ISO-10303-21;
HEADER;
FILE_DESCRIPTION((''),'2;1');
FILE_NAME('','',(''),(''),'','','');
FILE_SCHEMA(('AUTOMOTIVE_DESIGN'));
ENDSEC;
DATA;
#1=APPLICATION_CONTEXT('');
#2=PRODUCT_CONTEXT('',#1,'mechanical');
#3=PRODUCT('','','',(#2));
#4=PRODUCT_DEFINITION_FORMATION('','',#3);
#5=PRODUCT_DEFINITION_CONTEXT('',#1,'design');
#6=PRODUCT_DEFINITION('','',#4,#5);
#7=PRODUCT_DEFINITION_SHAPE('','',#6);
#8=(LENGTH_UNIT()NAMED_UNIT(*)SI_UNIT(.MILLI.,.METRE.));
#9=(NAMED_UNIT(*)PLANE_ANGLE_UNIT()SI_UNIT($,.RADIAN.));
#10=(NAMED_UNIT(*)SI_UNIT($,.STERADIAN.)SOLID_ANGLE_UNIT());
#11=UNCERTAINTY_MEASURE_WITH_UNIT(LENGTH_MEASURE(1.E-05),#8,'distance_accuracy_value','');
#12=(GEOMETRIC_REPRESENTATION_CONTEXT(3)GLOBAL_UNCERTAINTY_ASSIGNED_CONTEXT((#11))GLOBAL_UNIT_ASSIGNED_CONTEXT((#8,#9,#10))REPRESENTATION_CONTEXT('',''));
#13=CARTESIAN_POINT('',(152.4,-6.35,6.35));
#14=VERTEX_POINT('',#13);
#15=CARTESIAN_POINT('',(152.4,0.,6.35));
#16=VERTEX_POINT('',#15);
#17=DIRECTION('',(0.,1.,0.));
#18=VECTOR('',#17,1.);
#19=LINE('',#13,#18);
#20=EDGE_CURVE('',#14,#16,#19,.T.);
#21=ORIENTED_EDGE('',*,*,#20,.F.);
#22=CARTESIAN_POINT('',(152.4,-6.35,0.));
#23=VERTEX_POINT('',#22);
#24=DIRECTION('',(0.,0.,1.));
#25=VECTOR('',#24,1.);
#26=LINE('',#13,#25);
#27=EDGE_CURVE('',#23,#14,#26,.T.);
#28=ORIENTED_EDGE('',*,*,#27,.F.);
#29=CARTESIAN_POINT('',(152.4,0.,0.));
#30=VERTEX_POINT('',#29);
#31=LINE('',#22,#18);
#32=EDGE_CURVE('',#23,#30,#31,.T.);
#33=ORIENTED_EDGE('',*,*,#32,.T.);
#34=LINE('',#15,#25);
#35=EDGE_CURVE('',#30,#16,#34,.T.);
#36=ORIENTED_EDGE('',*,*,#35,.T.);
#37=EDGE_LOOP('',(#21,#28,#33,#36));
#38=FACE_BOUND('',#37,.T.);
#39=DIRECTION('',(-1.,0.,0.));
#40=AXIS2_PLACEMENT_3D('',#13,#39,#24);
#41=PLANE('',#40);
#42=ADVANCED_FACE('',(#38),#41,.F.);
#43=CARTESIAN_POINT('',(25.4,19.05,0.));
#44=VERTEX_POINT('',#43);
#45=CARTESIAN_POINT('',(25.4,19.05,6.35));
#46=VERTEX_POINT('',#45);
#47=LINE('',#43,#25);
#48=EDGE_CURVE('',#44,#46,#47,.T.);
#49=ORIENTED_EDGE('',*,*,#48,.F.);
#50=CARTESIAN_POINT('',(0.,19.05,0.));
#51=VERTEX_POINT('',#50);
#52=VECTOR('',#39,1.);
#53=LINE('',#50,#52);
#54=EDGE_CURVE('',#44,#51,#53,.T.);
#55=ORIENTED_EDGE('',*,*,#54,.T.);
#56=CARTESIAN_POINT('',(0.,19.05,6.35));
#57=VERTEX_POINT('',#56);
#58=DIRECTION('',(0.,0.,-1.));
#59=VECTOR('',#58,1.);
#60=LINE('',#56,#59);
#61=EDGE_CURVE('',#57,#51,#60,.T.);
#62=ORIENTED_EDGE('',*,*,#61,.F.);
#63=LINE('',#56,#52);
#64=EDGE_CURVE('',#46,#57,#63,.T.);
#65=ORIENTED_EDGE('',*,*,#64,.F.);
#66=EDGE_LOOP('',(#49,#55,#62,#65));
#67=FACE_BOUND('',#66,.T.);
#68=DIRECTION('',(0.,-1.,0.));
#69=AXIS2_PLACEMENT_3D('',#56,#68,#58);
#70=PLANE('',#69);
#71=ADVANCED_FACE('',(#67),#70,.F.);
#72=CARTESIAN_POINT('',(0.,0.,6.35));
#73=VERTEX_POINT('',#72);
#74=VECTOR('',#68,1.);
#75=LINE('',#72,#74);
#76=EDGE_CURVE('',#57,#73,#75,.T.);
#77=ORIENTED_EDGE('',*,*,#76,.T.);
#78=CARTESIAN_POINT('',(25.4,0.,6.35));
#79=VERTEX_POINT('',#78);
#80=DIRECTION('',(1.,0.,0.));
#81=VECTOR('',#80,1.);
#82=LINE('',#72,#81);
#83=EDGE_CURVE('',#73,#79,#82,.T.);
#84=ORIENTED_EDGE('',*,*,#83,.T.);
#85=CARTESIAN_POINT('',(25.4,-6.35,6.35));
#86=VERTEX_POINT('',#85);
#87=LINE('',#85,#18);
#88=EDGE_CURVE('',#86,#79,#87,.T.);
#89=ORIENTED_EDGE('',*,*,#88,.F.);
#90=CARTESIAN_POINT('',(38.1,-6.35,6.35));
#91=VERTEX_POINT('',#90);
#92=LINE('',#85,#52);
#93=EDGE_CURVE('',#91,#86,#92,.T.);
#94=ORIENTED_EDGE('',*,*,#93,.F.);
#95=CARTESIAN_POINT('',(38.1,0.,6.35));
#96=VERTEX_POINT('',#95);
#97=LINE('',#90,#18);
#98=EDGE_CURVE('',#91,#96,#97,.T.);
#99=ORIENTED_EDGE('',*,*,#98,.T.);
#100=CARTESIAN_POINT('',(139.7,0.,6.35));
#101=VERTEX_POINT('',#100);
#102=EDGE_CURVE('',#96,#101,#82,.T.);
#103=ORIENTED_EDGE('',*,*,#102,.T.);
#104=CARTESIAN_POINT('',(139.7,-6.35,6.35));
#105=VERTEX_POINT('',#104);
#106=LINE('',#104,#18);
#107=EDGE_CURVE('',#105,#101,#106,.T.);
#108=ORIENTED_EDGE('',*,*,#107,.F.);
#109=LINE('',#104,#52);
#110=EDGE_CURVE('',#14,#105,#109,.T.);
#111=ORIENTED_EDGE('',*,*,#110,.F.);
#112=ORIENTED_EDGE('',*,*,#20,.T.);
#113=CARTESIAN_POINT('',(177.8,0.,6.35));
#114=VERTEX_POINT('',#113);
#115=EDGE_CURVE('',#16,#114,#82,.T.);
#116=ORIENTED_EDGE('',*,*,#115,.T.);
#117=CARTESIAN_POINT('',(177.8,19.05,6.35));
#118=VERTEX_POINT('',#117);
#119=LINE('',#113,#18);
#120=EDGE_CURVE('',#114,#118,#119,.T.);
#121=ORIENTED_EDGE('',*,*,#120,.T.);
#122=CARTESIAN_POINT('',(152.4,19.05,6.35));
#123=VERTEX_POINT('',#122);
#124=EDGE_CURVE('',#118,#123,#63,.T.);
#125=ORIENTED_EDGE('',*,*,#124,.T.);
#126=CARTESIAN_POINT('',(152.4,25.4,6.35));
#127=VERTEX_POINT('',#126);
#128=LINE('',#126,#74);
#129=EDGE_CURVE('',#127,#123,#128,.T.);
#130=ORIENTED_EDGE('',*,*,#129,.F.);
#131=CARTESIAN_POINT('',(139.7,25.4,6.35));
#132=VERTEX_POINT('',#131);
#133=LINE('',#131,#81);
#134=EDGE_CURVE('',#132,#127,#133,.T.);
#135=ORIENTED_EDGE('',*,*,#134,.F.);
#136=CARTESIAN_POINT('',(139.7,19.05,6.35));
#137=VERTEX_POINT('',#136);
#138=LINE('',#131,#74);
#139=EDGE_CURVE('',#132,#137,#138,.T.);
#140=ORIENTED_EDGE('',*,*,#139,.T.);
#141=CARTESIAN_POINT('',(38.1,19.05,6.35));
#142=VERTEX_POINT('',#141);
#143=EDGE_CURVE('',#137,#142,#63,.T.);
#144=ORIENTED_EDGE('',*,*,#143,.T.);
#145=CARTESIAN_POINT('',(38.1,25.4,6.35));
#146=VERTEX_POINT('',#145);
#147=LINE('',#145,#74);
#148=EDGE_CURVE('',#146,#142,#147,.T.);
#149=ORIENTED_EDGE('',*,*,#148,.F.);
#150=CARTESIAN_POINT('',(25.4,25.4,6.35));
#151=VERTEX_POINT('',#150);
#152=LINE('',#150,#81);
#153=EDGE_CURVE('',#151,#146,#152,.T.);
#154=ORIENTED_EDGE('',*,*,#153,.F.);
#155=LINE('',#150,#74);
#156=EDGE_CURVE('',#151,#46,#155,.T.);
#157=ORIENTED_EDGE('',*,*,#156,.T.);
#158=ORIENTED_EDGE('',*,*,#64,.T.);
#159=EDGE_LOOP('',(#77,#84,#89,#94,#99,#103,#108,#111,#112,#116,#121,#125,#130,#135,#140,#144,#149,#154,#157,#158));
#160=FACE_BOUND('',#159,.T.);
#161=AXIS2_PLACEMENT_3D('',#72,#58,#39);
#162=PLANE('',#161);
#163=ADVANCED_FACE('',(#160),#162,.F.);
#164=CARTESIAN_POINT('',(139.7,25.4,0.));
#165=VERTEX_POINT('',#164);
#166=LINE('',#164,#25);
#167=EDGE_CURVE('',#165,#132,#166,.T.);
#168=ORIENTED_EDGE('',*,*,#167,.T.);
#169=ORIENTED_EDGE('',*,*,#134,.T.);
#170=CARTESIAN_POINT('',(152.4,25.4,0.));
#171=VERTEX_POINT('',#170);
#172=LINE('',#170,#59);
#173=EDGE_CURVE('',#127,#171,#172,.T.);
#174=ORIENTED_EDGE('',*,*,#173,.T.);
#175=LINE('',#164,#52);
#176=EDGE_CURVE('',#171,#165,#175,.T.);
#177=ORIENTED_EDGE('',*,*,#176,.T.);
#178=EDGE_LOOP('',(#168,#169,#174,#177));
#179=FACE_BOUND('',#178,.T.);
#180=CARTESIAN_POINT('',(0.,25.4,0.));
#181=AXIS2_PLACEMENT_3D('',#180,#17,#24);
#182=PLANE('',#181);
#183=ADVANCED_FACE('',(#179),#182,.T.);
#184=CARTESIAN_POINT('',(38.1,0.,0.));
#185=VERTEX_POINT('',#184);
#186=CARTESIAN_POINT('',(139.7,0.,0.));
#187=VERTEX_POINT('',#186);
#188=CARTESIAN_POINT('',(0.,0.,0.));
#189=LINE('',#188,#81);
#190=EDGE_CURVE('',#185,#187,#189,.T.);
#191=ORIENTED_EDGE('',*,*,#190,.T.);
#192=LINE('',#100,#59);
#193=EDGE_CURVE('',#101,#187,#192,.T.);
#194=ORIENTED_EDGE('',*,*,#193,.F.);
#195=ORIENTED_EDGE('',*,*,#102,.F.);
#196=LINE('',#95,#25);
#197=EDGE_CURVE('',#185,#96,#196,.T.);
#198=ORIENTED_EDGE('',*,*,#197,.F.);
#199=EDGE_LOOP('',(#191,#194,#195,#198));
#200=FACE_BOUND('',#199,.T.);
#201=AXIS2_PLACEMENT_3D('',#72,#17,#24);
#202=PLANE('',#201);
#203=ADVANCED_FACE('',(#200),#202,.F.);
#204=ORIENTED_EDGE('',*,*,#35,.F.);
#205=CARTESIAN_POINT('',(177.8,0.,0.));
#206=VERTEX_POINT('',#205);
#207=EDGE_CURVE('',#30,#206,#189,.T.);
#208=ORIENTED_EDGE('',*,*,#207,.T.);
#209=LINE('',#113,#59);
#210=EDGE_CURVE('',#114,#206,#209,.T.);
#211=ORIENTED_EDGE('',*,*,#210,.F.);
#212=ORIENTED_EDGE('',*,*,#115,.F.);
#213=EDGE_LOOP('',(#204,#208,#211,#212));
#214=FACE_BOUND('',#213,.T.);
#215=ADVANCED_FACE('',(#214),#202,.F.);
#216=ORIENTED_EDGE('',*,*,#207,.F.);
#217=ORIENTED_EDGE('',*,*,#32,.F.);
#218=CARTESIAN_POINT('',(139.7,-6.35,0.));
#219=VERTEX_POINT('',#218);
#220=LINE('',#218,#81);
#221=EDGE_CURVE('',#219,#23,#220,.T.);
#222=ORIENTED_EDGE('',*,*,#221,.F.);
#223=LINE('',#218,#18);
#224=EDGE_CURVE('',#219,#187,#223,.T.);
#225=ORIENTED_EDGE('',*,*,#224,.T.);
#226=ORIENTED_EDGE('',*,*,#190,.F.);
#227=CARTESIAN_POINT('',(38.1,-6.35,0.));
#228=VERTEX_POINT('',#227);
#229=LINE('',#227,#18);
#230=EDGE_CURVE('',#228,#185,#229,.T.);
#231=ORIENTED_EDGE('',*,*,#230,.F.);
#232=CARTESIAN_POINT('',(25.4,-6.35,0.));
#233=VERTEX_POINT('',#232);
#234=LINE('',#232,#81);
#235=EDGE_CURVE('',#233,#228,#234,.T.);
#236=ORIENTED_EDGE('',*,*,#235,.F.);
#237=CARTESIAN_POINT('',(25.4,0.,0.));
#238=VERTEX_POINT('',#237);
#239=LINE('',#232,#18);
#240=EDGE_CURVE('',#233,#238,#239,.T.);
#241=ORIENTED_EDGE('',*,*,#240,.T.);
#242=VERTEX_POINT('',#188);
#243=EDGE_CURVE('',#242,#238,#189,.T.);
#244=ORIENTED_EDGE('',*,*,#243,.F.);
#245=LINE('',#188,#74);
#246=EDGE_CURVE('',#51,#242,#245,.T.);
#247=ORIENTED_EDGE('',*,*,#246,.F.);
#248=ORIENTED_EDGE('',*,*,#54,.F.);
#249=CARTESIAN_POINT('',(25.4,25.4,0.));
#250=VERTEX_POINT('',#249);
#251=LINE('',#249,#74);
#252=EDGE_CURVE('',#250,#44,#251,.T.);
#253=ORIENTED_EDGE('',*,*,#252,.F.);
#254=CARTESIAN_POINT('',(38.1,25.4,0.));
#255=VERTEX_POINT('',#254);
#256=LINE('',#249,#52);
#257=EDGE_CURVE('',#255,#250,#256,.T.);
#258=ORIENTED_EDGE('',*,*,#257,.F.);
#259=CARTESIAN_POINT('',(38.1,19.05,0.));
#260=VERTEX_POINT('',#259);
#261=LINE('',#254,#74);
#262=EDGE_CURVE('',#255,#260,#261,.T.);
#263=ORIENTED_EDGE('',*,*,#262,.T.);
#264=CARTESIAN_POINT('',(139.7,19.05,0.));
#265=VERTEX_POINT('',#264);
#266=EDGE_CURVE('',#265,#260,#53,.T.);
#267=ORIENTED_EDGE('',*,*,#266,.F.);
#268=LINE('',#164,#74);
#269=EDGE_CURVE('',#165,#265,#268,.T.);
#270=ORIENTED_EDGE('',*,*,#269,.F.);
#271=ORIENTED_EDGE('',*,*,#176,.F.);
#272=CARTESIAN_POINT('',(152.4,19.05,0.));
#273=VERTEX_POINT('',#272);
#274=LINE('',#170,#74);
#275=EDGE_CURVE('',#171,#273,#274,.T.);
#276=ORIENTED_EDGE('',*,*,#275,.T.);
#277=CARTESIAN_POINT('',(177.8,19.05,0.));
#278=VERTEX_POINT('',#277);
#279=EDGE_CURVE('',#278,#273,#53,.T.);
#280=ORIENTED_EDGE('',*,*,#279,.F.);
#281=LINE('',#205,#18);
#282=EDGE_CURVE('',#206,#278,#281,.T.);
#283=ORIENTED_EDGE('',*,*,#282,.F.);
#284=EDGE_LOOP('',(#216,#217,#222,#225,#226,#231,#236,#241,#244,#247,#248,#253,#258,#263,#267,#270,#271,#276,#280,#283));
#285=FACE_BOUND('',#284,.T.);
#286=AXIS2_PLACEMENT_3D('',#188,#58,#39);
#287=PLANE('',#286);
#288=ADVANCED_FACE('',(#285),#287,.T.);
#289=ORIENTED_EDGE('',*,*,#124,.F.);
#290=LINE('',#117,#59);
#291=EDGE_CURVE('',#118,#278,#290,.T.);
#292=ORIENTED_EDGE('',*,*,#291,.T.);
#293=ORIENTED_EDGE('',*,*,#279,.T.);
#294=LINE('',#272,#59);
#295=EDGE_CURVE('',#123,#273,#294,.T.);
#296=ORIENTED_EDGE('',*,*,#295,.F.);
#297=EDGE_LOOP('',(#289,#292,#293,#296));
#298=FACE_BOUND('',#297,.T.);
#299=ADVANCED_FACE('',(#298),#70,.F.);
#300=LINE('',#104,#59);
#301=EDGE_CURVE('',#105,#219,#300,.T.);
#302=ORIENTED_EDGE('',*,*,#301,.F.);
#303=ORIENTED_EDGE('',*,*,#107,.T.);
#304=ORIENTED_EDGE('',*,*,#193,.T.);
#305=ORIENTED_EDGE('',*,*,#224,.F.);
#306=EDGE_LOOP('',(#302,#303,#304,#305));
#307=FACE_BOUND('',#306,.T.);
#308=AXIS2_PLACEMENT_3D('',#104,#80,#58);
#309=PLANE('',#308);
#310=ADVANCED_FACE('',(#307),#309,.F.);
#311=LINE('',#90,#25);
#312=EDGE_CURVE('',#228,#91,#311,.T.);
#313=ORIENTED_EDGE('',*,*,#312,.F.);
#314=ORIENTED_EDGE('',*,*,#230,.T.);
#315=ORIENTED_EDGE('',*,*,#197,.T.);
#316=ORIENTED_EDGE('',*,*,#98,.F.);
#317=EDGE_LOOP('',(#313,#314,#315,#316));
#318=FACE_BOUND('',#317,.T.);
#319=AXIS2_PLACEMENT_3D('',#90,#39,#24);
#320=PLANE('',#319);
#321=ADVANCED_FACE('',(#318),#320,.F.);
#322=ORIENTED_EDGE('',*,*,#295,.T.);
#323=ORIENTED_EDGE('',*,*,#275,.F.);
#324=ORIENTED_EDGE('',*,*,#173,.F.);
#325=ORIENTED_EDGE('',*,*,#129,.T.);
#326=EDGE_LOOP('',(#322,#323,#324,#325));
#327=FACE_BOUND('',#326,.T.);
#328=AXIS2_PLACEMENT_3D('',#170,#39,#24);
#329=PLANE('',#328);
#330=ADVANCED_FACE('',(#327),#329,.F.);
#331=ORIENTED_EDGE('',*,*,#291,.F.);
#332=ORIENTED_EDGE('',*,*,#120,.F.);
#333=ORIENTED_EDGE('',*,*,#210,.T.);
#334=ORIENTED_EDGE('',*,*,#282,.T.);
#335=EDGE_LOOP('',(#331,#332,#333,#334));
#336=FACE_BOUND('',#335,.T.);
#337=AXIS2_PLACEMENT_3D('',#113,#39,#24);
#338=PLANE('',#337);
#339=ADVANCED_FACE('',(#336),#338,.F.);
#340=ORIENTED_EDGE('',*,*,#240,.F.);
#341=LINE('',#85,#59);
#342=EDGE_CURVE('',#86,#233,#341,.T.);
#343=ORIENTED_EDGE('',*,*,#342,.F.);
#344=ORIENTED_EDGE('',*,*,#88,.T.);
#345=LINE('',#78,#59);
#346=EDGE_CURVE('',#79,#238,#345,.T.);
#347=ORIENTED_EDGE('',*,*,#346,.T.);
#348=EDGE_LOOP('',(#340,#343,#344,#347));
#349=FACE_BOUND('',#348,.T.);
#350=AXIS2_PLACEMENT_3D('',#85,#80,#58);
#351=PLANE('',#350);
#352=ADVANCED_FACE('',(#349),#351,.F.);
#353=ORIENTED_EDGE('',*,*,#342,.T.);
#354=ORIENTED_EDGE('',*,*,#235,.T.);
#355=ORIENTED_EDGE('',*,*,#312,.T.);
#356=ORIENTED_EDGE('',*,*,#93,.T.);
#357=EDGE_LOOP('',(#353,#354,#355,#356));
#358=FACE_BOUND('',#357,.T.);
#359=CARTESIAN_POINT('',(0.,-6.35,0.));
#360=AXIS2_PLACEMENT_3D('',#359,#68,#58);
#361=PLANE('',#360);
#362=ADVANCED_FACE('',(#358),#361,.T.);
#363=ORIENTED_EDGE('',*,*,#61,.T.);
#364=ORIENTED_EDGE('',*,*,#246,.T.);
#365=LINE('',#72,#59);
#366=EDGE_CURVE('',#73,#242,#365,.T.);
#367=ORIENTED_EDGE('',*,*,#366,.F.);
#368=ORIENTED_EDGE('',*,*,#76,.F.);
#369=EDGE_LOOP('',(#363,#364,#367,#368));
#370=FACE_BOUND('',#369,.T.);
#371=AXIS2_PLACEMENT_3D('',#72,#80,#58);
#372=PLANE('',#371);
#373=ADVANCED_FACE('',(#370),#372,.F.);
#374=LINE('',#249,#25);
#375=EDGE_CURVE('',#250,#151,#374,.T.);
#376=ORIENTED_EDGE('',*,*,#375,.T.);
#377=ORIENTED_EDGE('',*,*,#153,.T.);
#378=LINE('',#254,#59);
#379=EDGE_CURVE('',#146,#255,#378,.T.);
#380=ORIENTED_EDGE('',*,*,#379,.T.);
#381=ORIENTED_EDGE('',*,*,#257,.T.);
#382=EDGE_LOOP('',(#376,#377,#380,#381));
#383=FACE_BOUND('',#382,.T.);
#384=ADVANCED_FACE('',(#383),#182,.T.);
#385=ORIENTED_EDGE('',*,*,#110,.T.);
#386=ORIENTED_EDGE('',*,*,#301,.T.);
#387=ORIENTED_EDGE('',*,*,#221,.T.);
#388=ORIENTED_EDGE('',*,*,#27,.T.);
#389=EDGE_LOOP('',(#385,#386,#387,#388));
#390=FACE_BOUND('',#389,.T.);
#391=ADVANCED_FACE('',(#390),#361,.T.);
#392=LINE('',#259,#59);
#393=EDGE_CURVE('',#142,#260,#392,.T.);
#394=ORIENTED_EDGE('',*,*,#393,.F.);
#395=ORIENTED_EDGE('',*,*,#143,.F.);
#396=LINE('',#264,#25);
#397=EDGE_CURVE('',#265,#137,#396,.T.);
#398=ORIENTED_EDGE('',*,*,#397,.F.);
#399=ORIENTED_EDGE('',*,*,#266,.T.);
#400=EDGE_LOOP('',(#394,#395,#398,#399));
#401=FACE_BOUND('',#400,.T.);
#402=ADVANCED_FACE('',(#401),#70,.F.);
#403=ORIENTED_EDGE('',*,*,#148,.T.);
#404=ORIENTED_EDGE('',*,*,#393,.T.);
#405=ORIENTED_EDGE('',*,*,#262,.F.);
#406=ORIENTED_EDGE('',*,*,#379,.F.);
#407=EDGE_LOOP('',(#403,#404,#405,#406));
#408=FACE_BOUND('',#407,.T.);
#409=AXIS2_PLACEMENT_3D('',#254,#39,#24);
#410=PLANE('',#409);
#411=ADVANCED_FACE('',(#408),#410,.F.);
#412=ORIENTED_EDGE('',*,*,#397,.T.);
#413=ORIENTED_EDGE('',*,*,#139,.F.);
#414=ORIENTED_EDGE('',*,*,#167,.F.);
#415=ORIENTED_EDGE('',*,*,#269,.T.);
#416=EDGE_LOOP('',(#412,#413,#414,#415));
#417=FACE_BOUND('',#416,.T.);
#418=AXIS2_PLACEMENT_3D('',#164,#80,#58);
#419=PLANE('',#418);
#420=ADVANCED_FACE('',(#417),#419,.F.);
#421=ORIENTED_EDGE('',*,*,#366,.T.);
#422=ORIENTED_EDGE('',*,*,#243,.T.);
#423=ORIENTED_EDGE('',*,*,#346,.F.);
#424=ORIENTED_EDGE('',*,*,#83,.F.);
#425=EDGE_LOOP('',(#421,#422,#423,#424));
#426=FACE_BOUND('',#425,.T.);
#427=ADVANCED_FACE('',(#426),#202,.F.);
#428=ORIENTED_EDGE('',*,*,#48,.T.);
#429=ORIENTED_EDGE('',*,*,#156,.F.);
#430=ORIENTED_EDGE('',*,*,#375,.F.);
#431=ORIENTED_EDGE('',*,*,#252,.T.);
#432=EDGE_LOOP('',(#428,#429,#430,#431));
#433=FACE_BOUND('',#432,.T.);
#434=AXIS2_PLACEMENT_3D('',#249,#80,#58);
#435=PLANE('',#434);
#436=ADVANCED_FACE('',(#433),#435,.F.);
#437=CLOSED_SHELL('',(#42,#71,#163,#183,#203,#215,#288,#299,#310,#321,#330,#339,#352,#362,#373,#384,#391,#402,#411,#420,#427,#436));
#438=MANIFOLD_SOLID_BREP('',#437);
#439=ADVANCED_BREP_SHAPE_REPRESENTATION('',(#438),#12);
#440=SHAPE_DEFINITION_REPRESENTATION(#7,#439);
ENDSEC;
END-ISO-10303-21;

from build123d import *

# Parameters (mm, degrees)
SKETCH1_W           = 177.8
SKETCH1_H           = 19.05
BOSS_EXTRUDE1_DEPTH = 6.35
SKETCH2_W           = 12.7
SKETCH2_H           = 6.35
BOSS_EXTRUDE2_DEPTH = 6.35
SKETCH3_W           = 12.7
SKETCH3_H           = 6.35
BOSS_EXTRUDE3_DEPTH = 6.35


with BuildPart() as part:
    # Sketch1 → Boss-Extrude1 (new body)
    with BuildSketch(Plane.XY):
        with Locations((88.9, 9.525)):
            Rectangle(SKETCH1_W, SKETCH1_H)
    extrude(amount=BOSS_EXTRUDE1_DEPTH)

    # Sketch2 → Boss-Extrude2 (add)
    with BuildSketch(Plane(origin=(0, 19.05, 0), x_dir=(1, 0, 0), z_dir=(0, 1, 0))):
        with Locations((31.75, -3.175)):
            Rectangle(SKETCH2_W, SKETCH2_H)
        with Locations((146.05, -3.175)):
            Rectangle(SKETCH2_W, SKETCH2_H)
    extrude(amount=BOSS_EXTRUDE2_DEPTH)

    # Sketch3 → Boss-Extrude3 (add)
    with BuildSketch(Plane.XZ):
        with Locations((31.75, 3.175)):
            Rectangle(SKETCH3_W, SKETCH3_H)
        with Locations((146.05, 3.175)):
            Rectangle(SKETCH3_W, SKETCH3_H)
    extrude(amount=BOSS_EXTRUDE3_DEPTH)


solid = part.part
